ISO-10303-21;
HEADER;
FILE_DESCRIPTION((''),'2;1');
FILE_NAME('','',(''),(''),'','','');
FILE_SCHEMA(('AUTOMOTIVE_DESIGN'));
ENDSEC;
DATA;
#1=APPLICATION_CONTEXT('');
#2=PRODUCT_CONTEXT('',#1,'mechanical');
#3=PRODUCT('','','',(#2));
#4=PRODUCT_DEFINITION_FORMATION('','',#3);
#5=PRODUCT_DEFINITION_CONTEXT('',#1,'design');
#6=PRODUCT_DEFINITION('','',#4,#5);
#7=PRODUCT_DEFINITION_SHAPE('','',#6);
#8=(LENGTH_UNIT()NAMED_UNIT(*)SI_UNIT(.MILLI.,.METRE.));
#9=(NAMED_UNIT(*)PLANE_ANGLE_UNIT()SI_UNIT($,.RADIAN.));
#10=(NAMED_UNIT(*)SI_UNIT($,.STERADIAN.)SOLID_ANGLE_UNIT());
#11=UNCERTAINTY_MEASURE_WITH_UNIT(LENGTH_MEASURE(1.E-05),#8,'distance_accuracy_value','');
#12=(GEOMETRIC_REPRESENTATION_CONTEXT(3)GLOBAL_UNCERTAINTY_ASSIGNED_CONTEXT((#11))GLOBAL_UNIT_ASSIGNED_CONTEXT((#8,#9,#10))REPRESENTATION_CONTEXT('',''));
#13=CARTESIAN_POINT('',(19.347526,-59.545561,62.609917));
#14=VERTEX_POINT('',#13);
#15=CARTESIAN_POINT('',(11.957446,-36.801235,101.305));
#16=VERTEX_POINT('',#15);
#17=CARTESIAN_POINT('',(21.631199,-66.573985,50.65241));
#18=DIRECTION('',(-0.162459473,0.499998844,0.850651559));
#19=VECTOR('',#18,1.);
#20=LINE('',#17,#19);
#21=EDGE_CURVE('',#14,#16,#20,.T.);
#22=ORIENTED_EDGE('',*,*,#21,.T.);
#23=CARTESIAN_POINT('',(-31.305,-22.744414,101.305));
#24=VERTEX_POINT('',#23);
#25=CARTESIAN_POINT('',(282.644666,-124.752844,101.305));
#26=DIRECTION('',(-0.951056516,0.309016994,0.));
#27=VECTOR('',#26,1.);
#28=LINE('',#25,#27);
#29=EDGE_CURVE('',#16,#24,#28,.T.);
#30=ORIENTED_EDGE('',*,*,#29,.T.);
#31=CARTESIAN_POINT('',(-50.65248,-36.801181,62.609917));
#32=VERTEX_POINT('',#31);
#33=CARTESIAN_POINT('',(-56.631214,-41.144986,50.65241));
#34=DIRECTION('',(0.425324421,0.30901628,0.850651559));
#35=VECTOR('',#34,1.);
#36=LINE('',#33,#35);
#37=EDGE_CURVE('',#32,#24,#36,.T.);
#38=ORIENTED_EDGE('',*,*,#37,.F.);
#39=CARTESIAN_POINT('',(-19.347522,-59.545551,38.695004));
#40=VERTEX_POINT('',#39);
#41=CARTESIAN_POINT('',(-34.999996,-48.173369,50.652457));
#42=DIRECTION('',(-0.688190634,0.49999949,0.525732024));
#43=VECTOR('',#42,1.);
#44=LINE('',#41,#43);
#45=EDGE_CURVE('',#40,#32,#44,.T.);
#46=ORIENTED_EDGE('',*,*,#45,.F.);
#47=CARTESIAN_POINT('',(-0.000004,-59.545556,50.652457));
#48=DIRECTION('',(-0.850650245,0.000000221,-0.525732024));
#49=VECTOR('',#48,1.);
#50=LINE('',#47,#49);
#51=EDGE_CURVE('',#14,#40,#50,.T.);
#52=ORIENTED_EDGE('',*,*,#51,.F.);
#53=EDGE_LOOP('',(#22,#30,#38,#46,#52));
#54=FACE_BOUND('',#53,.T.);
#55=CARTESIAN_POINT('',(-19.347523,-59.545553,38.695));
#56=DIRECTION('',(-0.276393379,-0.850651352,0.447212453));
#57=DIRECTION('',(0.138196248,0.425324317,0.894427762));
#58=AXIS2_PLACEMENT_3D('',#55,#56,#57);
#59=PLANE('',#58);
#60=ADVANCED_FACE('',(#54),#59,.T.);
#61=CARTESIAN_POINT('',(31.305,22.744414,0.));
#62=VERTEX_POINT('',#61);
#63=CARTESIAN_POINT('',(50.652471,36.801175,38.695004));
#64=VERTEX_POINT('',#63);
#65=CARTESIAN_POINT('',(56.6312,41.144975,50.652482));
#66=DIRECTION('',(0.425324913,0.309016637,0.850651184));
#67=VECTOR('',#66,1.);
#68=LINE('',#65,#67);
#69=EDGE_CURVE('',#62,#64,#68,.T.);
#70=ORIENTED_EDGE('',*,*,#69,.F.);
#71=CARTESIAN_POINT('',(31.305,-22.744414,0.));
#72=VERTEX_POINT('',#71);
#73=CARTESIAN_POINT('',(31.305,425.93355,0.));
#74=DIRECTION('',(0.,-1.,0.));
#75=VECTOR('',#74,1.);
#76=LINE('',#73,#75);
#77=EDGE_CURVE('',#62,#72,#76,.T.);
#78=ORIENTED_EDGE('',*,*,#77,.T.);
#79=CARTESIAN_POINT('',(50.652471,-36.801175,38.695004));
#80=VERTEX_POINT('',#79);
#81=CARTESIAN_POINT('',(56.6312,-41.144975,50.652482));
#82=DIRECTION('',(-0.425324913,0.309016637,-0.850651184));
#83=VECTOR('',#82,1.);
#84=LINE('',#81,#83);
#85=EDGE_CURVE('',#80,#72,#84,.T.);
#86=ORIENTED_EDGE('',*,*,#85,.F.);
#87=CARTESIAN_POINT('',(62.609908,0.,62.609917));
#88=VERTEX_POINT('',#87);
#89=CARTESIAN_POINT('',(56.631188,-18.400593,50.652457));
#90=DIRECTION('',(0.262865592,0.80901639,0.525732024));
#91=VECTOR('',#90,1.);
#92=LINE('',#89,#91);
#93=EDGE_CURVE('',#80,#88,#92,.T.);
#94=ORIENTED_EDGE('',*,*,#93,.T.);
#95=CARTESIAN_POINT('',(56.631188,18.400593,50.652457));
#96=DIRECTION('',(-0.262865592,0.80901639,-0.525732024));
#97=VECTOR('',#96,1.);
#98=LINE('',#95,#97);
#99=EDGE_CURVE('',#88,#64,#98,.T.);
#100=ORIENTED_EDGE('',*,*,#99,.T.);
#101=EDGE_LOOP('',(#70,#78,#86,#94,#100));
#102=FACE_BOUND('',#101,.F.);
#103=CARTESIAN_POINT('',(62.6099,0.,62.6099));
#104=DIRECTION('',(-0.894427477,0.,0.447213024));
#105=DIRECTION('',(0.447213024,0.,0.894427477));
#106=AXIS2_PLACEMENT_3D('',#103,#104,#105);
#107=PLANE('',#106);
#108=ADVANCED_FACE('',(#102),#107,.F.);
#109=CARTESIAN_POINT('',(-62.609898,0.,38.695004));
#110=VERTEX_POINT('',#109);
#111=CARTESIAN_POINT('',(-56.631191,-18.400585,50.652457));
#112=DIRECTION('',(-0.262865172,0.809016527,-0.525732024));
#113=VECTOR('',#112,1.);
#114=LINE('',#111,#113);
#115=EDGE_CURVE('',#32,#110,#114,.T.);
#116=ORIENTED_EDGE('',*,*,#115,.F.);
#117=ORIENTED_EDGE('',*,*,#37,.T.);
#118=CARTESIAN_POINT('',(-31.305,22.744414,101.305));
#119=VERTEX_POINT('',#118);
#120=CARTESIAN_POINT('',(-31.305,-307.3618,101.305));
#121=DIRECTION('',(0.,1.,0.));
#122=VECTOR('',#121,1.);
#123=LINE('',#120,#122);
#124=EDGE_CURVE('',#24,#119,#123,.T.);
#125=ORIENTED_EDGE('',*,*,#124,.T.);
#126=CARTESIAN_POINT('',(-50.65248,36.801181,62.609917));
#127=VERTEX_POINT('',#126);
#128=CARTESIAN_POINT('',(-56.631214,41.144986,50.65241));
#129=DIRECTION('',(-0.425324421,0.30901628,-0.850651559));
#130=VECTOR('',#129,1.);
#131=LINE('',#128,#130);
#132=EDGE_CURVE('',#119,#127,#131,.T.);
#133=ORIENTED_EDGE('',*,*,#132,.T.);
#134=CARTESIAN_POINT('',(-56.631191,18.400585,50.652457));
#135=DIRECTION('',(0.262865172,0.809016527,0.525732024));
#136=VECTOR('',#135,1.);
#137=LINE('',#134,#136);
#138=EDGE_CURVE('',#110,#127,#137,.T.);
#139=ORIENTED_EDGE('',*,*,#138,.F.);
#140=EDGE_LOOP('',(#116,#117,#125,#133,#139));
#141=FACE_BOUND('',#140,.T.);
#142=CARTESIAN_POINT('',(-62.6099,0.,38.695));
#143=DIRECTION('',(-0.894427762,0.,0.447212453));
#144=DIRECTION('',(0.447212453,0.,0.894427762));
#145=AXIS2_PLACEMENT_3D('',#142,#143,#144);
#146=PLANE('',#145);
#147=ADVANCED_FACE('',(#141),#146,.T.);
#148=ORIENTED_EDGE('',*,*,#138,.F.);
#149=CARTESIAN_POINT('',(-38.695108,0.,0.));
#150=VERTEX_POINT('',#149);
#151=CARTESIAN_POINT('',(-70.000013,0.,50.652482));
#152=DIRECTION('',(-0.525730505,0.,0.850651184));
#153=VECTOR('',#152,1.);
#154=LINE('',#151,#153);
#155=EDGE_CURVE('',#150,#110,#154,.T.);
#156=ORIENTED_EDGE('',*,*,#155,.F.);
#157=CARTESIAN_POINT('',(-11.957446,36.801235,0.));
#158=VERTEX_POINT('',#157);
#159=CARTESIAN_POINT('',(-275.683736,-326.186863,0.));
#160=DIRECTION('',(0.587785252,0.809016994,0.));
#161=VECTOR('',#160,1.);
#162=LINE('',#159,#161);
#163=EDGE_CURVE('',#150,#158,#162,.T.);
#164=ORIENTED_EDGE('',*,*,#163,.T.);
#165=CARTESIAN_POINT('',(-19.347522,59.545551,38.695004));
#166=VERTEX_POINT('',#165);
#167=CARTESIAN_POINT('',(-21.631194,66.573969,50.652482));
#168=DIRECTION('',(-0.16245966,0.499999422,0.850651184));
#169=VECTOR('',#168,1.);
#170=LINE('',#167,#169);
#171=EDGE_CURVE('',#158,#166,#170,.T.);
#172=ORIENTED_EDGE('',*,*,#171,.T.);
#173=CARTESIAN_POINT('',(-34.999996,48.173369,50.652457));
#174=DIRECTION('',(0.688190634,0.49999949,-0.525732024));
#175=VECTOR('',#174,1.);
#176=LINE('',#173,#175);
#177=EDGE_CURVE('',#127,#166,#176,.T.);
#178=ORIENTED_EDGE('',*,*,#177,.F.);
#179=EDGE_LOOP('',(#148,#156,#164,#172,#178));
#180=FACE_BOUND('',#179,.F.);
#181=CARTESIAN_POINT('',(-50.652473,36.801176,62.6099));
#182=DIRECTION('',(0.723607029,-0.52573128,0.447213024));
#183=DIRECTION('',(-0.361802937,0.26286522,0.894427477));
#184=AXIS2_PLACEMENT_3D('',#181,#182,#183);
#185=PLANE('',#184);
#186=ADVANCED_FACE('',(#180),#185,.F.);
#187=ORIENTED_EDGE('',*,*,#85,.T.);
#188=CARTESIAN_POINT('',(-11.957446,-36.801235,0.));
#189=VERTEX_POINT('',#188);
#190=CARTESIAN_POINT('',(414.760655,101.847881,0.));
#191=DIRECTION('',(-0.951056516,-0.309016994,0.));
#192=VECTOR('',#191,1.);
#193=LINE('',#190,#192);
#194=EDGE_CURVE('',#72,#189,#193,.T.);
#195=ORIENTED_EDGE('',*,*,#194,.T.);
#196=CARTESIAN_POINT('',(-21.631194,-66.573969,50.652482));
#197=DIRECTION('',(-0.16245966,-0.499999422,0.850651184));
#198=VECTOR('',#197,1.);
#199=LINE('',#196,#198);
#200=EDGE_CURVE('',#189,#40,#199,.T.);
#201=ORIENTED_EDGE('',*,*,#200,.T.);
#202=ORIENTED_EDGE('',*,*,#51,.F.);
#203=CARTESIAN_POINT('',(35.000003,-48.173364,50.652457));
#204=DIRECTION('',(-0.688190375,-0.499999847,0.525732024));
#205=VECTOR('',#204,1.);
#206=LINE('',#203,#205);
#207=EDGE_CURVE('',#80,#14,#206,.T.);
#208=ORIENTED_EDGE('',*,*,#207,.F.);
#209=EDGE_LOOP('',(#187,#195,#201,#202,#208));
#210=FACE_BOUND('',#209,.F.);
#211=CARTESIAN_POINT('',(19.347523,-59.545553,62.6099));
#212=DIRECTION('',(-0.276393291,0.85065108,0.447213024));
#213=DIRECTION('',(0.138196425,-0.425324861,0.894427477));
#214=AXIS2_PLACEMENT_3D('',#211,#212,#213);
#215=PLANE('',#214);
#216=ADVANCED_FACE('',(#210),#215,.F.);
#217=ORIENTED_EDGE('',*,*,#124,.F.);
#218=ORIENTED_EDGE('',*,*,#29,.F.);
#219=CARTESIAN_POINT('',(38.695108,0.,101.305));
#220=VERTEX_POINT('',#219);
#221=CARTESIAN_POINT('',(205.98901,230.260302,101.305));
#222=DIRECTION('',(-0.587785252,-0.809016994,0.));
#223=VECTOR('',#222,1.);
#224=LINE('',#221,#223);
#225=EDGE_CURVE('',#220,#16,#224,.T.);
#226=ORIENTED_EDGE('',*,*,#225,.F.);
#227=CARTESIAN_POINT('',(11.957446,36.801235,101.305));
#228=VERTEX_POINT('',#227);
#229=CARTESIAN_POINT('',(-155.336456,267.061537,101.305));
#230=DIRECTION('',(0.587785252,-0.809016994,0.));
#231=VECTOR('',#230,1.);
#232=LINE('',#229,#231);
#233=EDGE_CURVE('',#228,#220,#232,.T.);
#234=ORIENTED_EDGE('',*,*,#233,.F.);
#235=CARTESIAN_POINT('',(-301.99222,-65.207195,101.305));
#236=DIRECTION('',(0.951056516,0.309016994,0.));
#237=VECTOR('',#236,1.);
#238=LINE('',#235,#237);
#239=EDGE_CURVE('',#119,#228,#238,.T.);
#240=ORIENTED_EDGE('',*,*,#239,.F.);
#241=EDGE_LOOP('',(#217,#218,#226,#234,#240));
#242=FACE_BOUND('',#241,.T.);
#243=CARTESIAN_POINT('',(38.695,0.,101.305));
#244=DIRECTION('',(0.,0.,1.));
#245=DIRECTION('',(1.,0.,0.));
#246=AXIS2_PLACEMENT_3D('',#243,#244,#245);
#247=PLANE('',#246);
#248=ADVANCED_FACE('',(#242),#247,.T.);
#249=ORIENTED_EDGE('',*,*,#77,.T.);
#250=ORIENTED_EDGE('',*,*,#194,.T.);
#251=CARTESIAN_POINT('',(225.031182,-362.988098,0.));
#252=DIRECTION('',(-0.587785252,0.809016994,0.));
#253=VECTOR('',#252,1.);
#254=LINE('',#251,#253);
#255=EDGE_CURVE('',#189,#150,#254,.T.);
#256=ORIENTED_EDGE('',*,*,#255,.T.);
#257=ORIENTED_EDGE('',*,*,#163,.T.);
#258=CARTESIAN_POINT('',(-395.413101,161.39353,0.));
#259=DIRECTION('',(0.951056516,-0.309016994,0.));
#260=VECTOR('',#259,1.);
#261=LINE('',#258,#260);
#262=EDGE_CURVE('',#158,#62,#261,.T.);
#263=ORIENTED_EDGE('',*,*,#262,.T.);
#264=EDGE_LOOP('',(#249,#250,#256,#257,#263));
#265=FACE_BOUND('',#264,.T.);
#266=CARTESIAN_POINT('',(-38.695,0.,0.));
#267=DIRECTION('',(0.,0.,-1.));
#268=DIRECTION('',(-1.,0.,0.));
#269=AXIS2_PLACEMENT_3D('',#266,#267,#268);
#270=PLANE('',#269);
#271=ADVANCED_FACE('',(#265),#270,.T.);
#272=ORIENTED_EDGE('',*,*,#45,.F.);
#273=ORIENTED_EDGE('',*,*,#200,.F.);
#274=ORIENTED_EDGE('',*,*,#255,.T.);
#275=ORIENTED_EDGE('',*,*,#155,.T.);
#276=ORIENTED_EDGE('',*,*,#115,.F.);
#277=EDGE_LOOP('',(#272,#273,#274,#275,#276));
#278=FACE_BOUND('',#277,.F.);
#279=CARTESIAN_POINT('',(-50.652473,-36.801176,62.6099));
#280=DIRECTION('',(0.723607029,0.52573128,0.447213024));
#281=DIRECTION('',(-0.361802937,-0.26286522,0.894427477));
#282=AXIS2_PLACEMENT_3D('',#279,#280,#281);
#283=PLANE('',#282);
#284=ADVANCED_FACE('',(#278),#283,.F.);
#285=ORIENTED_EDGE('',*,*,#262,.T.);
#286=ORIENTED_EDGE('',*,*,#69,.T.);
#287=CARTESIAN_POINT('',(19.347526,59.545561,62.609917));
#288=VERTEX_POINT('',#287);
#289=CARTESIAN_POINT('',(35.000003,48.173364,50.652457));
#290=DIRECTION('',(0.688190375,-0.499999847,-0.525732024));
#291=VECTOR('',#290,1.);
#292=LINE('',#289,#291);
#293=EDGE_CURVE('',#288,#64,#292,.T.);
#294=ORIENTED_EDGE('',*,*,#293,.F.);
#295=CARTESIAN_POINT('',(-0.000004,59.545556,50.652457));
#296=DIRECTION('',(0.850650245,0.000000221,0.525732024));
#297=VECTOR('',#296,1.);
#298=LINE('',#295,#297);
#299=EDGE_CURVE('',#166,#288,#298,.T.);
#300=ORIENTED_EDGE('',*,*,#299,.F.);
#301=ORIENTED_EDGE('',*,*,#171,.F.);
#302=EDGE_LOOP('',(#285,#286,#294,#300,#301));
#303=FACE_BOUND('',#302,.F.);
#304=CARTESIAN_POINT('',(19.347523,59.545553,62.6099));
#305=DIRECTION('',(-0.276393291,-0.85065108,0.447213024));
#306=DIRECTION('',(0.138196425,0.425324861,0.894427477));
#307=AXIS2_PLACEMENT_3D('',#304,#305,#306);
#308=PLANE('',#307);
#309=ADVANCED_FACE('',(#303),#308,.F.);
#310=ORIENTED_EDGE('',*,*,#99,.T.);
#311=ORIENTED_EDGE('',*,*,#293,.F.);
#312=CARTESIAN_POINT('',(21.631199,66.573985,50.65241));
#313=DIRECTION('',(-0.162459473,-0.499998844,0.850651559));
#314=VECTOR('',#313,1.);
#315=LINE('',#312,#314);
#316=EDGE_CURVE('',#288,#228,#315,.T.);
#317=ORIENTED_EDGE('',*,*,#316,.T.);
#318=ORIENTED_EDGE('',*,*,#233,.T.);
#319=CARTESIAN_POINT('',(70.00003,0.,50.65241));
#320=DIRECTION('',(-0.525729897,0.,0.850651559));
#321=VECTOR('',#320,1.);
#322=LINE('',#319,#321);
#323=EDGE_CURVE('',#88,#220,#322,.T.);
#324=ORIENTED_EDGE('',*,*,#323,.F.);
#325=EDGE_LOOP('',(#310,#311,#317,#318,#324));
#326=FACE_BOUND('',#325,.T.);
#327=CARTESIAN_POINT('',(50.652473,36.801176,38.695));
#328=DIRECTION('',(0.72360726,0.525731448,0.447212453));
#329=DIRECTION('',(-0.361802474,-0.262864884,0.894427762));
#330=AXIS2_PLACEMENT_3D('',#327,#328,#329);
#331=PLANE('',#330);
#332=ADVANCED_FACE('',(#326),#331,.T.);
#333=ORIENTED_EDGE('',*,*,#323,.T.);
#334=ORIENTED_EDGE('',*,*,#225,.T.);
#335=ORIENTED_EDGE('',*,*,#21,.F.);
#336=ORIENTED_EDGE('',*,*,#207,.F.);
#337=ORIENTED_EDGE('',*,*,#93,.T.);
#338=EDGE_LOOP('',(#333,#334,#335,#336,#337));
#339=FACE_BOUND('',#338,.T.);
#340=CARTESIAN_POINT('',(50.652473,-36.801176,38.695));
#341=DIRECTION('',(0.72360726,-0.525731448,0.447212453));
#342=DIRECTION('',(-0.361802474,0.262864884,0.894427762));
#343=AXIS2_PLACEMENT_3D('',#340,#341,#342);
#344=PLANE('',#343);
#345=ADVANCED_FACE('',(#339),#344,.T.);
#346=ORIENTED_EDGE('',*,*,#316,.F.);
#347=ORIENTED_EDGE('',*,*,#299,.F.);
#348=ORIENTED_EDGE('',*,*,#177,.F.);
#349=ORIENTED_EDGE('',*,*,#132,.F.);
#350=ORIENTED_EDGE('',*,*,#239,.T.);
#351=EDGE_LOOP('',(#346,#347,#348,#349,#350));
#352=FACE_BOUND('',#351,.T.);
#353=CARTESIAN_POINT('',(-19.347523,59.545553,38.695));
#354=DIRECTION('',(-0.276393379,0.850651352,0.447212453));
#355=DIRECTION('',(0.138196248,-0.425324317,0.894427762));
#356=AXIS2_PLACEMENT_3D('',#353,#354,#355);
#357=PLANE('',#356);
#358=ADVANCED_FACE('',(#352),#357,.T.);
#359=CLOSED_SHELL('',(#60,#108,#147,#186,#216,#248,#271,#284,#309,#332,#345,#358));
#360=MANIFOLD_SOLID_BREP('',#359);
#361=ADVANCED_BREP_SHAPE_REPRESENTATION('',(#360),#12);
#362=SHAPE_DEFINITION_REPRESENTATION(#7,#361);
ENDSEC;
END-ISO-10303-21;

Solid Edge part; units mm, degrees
sketch "Sketch1" plane through (0, 0, 0) normal (0, -1, 0) x (1, 0, 0)
  line L0 (0, 151.7064) -> (0, -50.4015)
  arc A0 (0, 151.7065) -> (0, -50.4015) centre (0, 50.6525) cw
revolve "RevolvedProtrusion1" add sketch "Sketch1" angle 360 about axis through (0, 0, 151.7064) along (0, 0, -1)
sketch "Sketch2" plane through (0, 0, 0) normal (0, -1, 0) x (1, 0, 0)
  line L0 (62.6099, 62.6099) -> (31.305, 0)
  line L1 (31.305, 0) -> (-38.695, 0)
extrude "Cutout1" cut sketch "Sketch2" along normal mid plane 851.8671 material side at (47.0022, 0, 31.2826)
sketch "Sketch3" plane through (0, 0, 0) normal (0, -1, 0) x (1, 0, 0)
  line L0 (-31.305, 101.305) -> (38.695, 101.305)
  line L1 (-62.6099, 38.695) -> (-31.305, 101.305)
extrude "ExtrudedCutout_17" cut sketch "Sketch3" along normal mid plane 614.7236 material side at (3.695, 0, 101.355)
pattern_circular "Pattern1" count 5 over 360 about axis through (0, 0, 0) along (0, 0, 1) of "ExtrudedCutout_17", "Cutout1"
